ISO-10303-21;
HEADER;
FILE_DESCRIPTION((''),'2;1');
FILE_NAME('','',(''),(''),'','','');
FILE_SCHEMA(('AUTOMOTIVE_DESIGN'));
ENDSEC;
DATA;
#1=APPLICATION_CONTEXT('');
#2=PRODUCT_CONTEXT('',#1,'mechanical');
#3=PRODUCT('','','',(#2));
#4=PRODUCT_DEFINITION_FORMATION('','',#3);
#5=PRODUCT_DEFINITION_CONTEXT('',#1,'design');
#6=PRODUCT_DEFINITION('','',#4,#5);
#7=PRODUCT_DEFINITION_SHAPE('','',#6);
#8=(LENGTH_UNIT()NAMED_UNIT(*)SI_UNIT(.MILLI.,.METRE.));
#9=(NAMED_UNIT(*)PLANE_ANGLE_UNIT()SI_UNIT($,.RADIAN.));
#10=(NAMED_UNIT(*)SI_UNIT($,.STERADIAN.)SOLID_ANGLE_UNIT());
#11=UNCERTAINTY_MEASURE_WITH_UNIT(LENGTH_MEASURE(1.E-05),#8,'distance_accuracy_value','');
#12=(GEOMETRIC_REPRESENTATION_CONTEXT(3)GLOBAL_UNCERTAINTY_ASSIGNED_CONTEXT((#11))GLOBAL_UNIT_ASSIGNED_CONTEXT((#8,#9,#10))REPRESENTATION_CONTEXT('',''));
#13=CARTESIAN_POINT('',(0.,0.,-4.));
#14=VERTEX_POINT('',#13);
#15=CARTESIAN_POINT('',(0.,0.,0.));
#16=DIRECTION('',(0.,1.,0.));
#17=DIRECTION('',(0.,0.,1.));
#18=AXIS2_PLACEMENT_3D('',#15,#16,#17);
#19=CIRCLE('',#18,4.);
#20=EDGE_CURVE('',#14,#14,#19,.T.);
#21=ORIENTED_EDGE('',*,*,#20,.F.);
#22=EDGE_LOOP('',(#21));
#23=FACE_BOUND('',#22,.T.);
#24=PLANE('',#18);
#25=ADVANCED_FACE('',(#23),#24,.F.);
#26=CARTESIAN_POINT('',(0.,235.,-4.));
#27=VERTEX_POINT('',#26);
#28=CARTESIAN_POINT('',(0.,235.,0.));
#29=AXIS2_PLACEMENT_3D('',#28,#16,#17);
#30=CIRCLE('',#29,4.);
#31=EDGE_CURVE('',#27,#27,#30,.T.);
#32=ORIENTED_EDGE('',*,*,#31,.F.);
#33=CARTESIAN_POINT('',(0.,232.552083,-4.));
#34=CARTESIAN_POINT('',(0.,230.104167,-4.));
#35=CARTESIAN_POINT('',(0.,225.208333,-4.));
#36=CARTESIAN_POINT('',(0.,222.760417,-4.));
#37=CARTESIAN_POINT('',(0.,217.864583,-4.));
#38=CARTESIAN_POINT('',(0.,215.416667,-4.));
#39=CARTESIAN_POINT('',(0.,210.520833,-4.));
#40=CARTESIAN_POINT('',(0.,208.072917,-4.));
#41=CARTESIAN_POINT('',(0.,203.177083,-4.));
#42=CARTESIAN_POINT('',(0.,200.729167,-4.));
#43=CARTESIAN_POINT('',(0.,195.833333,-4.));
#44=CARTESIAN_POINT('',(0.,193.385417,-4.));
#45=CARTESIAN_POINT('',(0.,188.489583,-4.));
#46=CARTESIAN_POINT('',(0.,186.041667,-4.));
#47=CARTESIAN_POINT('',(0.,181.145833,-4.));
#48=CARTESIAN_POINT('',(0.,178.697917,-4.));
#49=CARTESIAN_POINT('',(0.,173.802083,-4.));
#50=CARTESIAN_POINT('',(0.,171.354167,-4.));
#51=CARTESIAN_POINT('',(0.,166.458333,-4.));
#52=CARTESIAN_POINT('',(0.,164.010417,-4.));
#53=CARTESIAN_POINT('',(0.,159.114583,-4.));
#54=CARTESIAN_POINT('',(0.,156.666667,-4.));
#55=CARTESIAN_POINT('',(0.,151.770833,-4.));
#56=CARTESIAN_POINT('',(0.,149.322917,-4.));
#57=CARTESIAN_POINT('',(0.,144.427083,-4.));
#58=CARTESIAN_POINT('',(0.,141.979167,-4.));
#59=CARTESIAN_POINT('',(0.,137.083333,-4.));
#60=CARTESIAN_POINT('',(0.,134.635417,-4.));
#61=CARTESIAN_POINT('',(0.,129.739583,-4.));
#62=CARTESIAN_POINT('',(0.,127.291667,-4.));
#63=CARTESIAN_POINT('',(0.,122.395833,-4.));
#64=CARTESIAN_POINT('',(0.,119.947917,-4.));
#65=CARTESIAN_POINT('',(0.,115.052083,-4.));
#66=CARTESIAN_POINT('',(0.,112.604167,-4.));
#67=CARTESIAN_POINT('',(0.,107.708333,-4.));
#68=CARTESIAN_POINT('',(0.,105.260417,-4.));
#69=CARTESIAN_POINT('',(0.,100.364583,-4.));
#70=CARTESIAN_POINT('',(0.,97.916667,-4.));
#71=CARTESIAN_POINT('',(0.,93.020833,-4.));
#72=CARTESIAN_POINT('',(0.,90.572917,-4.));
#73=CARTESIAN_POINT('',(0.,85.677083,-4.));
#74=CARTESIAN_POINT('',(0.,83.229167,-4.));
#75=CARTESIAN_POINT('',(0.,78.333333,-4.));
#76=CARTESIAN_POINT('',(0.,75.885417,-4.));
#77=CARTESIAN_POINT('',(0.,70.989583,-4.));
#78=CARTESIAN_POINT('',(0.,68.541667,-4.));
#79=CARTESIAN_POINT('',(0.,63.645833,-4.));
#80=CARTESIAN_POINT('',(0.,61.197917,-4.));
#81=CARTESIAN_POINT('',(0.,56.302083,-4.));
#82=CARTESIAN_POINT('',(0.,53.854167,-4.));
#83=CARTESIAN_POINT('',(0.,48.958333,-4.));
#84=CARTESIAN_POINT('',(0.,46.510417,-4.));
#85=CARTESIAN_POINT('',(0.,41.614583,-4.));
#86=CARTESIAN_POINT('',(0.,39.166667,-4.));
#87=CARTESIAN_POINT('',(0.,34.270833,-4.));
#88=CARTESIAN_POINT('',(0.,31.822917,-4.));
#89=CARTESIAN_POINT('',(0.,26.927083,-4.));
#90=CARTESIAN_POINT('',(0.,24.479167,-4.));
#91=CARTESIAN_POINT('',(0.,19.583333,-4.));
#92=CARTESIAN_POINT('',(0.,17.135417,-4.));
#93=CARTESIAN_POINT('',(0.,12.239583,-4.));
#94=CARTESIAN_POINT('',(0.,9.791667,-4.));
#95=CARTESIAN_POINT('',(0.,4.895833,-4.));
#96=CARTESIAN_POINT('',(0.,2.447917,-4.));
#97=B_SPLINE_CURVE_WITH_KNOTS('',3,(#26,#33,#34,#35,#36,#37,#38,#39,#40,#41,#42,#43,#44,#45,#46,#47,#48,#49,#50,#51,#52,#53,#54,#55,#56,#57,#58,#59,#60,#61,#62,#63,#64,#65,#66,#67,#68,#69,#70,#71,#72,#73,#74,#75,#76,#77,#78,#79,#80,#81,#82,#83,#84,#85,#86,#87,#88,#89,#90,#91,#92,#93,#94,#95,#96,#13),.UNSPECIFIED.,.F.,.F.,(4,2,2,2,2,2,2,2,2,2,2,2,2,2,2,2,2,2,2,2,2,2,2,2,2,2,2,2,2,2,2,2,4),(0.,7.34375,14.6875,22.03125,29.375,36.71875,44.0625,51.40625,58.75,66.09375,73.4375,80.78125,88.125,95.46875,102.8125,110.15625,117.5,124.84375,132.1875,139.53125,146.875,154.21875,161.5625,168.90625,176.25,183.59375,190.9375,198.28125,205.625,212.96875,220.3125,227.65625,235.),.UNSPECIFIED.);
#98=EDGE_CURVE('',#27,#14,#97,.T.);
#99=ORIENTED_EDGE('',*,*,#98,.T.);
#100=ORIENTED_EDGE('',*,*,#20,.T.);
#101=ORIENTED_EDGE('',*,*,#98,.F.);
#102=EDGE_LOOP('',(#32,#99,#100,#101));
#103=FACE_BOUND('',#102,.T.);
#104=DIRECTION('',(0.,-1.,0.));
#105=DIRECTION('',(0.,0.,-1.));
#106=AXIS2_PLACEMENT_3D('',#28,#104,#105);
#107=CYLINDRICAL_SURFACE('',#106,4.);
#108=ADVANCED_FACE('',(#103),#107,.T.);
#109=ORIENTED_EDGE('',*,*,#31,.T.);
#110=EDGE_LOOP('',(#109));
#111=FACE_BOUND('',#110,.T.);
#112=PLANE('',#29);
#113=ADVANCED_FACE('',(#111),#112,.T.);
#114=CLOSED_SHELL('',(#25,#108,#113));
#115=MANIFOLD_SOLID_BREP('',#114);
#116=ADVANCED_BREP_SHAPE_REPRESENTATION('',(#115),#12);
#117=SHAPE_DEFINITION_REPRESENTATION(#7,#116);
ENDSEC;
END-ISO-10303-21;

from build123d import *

# Parameters (mm, degrees)
SKETCH_1_R      = 4
EXTRUDE_1_DEPTH = 235


with BuildPart() as part:
    # 草图1 → 凸台-拉伸1 (new body)
    with BuildSketch(Plane(origin=(0, 0, 0), x_dir=(1, 0, 0), z_dir=(0, 1, 0))):
        with Locations(Location((0, 0, 0), (0, 0, 90))):
            Circle(SKETCH_1_R)
    extrude(amount=EXTRUDE_1_DEPTH)


solid = part.part
